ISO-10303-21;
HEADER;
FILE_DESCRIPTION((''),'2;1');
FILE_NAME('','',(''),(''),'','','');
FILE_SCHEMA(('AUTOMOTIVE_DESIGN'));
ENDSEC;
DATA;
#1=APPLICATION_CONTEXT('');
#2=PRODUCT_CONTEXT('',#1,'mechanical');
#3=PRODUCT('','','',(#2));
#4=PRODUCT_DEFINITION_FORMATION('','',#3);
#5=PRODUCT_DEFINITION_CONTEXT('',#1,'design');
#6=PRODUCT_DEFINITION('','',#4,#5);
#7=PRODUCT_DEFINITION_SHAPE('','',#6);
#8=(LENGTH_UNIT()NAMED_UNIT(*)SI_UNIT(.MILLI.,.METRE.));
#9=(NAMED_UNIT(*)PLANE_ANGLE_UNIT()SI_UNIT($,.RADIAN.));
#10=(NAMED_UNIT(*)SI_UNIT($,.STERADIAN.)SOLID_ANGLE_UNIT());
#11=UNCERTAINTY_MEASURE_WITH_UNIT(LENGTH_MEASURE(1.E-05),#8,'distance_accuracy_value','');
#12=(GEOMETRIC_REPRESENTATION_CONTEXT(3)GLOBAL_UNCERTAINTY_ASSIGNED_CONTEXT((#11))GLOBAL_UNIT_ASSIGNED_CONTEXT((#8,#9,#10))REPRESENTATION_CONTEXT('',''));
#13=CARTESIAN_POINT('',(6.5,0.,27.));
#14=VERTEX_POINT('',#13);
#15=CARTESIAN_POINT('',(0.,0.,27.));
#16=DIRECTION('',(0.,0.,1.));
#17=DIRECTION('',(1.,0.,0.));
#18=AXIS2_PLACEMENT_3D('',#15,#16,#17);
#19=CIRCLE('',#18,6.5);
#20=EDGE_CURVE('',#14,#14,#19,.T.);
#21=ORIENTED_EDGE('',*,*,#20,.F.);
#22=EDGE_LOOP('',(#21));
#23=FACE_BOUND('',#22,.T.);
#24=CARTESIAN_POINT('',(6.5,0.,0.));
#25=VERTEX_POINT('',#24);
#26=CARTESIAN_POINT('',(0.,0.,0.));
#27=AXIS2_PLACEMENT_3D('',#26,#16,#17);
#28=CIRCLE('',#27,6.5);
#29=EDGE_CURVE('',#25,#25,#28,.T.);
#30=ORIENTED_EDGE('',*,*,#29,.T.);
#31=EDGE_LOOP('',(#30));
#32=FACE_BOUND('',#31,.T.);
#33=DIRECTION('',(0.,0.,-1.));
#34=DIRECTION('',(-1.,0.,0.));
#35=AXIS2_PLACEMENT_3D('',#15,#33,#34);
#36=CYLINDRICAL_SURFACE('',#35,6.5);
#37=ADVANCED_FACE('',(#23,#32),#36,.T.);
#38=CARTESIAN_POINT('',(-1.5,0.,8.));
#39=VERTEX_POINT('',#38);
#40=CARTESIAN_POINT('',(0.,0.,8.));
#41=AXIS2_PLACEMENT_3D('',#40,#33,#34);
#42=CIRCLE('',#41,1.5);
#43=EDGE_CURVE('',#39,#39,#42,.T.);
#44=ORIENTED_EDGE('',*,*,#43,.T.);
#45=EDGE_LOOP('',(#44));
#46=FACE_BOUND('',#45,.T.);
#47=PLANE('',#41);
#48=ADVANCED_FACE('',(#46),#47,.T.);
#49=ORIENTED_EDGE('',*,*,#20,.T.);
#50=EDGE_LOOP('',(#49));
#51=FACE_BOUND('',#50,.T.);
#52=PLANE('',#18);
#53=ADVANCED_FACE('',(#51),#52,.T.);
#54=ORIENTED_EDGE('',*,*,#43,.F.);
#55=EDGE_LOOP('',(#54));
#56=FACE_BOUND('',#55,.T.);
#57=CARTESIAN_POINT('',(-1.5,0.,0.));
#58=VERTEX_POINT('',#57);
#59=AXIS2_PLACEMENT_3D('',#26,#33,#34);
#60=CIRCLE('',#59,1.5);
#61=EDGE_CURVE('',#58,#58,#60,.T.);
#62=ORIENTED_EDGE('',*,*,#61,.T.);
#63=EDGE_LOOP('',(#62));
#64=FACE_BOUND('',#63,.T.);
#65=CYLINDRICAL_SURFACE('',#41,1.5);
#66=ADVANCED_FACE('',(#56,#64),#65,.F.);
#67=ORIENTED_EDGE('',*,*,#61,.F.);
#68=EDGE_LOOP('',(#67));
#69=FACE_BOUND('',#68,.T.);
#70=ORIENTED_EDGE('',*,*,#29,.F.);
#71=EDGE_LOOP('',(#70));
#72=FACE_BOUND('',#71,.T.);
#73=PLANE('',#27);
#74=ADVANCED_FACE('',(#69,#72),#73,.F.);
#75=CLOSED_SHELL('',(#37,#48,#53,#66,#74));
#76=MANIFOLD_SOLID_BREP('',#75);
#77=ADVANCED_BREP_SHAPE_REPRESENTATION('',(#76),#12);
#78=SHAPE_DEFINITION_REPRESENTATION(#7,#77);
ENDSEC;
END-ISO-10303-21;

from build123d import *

# Parameters (mm, degrees)
SKETCH_1_R          = 6.5
EXTRUDE_1_DEPTH     = 27
SKETCH_2_R          = 1.5
CUT_EXTRUDE_1_DEPTH = 8


with BuildPart() as part:
    # 草图1 → 凸台-拉伸1 (new body)
    with BuildSketch(Plane.XY):
        Circle(SKETCH_1_R)
    extrude(amount=EXTRUDE_1_DEPTH)

    # 草图2 → 切除-拉伸1 (cut)
    with BuildSketch(Plane(origin=(0, 0, 0), x_dir=(-1, 0, 0), z_dir=(0, 0, -1))):
        Circle(SKETCH_2_R)
    extrude(amount=-CUT_EXTRUDE_1_DEPTH, mode=Mode.SUBTRACT)


solid = part.part
